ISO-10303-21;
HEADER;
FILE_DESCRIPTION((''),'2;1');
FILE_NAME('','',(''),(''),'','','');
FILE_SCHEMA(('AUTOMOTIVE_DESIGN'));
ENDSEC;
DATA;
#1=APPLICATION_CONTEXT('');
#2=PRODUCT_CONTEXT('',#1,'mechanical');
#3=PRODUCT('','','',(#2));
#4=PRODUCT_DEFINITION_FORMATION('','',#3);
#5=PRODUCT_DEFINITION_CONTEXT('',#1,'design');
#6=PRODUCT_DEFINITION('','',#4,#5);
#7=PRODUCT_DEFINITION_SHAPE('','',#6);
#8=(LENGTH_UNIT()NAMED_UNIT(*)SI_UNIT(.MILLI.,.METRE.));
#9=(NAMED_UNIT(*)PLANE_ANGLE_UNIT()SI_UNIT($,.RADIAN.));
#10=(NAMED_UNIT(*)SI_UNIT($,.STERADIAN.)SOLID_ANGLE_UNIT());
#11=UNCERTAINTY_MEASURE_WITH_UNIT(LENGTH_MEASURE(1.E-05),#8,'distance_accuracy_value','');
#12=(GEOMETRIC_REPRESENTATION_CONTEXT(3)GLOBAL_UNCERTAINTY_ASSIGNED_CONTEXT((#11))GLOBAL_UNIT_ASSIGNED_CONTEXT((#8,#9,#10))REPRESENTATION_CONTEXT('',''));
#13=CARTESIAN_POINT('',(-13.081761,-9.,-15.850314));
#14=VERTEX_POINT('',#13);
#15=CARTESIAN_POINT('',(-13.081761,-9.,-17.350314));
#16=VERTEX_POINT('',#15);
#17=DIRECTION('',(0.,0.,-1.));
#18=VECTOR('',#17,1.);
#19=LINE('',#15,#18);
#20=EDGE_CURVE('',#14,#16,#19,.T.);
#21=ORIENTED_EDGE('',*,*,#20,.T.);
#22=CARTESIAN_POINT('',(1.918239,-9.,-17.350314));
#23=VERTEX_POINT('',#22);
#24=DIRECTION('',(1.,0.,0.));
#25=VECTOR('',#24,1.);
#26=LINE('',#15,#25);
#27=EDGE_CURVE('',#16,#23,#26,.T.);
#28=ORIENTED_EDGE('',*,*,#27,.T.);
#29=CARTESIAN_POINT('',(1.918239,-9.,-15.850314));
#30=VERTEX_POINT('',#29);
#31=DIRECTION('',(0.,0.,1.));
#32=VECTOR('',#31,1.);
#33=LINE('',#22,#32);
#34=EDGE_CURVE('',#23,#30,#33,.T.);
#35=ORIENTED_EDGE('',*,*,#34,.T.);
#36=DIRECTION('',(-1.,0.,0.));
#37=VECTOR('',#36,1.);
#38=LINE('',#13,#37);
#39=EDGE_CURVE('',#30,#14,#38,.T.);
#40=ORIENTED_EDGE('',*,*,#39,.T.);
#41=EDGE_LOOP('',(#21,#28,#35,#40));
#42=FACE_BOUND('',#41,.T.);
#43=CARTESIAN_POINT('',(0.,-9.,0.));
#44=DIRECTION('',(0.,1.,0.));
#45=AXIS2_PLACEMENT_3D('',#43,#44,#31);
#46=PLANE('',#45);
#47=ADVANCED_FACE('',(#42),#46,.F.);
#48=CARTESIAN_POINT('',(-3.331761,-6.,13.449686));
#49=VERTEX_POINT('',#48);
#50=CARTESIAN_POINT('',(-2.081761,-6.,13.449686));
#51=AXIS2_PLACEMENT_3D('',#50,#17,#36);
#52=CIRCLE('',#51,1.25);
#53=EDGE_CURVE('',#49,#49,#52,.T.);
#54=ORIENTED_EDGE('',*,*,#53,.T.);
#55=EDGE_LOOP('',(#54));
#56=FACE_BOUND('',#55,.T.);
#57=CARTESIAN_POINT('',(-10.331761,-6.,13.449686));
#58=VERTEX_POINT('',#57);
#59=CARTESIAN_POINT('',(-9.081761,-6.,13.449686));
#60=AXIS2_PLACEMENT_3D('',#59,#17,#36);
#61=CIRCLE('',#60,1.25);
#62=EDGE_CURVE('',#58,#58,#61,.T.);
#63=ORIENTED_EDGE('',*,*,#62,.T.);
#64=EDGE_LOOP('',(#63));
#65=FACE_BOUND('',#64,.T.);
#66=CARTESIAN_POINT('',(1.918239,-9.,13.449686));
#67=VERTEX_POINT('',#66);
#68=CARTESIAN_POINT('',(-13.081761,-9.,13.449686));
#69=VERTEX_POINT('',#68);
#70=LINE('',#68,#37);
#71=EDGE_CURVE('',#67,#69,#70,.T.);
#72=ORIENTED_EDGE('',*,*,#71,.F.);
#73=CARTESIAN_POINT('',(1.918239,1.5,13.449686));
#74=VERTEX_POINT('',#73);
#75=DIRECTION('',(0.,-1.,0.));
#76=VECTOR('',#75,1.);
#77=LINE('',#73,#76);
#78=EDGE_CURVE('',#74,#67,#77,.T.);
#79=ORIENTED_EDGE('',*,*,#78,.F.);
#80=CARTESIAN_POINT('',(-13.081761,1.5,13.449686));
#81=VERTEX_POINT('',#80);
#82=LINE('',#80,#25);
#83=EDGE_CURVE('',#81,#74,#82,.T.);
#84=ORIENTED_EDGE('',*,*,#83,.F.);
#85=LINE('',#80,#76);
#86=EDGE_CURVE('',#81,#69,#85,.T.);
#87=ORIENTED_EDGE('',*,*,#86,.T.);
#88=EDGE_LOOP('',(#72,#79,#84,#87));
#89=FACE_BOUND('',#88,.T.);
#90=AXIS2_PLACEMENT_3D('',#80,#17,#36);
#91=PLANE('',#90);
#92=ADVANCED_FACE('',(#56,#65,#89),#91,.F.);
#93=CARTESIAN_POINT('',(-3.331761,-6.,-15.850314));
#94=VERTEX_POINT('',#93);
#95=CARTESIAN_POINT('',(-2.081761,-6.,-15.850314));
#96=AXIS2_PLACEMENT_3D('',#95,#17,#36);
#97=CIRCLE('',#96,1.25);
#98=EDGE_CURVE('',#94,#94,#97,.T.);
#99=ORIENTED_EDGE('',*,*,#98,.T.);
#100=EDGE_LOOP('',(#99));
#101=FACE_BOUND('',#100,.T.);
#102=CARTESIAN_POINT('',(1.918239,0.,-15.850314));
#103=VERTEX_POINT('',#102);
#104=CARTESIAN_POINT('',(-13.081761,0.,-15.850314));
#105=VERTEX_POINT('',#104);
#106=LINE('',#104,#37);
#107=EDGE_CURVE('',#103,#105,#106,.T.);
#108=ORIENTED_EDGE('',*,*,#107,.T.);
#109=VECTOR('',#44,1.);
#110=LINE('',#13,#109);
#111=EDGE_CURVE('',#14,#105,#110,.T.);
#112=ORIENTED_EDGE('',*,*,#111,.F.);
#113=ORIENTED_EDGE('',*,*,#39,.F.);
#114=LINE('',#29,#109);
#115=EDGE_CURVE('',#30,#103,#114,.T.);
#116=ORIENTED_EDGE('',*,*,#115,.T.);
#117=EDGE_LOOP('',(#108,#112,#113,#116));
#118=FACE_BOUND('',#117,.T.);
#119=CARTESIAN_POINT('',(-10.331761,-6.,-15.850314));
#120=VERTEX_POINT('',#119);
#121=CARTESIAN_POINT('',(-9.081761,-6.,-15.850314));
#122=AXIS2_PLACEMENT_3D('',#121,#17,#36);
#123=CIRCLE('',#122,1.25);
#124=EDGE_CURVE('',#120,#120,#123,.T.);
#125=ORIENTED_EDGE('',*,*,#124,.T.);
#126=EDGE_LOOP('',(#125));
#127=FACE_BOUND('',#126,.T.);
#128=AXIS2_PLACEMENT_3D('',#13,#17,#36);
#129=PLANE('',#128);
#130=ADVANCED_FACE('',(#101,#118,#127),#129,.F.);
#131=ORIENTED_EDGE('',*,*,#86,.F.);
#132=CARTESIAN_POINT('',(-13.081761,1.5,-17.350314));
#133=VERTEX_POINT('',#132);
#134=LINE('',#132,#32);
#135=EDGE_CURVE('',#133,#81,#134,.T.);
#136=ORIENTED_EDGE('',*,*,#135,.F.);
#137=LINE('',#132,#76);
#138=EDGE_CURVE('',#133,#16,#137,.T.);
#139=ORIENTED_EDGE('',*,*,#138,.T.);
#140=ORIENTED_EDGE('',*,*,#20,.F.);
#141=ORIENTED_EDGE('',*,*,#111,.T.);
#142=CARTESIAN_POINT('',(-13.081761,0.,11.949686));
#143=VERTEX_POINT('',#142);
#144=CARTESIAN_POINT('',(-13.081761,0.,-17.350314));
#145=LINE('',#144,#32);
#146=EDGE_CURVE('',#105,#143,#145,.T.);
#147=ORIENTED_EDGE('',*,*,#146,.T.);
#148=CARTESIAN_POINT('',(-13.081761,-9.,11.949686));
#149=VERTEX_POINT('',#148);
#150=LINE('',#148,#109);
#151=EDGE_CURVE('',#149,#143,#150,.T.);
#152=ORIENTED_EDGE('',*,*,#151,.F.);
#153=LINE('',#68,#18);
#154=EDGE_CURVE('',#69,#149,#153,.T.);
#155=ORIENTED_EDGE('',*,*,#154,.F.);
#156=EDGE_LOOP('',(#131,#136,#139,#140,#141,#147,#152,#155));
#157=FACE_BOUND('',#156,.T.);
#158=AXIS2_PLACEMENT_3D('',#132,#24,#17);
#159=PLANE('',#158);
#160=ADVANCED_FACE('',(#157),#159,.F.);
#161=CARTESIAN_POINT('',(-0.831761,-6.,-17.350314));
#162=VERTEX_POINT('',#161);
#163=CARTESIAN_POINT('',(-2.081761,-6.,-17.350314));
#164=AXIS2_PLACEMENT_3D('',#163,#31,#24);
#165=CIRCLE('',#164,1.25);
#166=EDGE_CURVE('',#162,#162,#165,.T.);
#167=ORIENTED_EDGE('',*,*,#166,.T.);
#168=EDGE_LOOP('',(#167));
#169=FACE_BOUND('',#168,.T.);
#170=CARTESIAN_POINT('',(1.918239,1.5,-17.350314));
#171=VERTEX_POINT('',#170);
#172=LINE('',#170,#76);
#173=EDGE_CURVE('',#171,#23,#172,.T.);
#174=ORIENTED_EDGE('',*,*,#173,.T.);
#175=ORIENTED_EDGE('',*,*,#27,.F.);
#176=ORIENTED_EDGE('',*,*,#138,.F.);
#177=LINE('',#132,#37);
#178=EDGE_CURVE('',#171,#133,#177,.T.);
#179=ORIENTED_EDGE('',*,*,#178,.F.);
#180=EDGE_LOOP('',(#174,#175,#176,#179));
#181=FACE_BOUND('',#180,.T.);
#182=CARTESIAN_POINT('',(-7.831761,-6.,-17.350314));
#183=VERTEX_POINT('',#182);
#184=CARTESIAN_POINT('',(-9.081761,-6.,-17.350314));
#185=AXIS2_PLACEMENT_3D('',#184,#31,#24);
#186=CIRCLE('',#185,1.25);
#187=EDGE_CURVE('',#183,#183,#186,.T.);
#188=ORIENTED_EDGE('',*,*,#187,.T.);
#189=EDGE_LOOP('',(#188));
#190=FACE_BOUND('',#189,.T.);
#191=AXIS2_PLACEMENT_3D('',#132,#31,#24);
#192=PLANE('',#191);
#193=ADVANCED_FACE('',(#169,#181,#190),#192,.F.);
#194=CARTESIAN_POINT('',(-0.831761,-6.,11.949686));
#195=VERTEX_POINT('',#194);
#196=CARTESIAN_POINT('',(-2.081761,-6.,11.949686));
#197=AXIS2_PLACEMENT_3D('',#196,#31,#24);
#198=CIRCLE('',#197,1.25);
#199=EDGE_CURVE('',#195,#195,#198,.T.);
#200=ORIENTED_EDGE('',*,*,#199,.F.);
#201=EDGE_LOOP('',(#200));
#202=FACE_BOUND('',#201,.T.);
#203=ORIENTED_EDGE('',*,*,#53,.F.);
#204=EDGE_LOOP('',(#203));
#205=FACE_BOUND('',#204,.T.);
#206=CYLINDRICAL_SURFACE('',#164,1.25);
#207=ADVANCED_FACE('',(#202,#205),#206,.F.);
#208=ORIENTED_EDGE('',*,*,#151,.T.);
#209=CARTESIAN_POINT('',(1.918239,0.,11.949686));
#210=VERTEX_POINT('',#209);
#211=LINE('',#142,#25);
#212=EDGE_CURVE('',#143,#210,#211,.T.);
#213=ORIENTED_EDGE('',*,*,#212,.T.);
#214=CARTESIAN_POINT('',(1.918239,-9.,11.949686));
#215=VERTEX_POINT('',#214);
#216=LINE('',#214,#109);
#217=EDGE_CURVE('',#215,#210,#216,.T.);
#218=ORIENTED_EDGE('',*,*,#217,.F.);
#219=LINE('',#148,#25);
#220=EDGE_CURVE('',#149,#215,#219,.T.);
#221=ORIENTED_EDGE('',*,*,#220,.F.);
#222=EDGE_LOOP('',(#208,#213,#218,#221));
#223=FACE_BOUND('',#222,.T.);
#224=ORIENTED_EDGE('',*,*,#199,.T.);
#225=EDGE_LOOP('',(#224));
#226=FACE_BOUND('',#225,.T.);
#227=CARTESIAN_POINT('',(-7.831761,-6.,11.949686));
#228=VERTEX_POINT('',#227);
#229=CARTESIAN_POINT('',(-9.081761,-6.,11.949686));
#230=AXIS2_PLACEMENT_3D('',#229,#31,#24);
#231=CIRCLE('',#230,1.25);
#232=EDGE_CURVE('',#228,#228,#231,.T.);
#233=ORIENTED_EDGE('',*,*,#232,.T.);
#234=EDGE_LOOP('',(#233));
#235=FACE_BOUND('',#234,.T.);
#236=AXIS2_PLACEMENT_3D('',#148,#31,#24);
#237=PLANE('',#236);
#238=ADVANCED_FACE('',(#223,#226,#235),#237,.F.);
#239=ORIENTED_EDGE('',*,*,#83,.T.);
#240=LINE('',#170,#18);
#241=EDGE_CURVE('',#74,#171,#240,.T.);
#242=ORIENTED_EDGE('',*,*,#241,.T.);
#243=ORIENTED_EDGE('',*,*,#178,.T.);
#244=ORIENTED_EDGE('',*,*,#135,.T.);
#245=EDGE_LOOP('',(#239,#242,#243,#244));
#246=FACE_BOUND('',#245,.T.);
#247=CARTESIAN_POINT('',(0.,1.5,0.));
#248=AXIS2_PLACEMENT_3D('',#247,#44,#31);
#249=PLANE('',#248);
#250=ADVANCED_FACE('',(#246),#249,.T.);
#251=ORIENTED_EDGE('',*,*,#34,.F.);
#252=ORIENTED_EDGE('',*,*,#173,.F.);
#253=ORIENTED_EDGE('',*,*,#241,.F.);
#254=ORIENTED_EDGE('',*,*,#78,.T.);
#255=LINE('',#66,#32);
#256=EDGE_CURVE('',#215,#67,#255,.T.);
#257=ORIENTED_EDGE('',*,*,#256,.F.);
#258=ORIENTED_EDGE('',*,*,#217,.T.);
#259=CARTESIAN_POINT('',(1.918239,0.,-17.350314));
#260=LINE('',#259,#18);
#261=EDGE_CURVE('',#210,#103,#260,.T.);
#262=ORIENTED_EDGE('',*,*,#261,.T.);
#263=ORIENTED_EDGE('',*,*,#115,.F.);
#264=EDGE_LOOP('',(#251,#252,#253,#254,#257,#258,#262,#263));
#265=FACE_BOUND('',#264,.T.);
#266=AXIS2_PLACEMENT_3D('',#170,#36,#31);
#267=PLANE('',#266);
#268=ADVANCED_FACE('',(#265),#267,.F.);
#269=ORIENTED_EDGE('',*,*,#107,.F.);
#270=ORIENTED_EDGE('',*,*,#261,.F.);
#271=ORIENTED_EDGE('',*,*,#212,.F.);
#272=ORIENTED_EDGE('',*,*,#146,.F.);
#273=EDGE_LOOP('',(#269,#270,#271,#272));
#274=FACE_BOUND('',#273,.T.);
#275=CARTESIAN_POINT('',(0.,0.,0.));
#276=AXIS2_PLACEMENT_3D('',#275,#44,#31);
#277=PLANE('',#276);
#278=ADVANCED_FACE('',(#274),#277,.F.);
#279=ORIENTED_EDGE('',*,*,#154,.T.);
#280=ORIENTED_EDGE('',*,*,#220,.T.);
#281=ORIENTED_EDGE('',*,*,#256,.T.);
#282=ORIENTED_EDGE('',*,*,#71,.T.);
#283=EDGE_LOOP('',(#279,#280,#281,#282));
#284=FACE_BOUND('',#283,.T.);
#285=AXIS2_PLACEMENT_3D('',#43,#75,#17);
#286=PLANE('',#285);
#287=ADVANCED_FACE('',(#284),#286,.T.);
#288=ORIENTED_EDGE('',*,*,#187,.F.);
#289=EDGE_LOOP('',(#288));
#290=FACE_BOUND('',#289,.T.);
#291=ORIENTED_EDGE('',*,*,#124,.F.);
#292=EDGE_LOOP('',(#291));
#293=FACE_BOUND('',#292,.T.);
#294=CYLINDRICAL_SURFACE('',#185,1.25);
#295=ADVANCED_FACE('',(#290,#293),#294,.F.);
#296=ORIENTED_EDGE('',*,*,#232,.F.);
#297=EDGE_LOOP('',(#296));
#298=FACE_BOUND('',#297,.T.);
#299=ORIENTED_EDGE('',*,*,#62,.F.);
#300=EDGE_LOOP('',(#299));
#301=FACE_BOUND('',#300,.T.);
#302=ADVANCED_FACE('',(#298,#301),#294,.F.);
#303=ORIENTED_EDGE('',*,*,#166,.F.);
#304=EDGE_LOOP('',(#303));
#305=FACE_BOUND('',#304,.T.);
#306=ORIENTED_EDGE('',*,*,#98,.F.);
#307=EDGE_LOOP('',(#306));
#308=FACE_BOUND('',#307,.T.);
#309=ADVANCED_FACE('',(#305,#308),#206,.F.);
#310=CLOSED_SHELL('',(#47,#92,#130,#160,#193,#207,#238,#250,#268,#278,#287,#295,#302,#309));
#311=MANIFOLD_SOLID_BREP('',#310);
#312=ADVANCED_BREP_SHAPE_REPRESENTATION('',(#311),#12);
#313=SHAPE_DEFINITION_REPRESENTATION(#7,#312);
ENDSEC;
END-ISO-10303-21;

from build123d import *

# Parameters (mm, degrees)
SKETCH_1_W               = 15
SKETCH_1_H               = 30.8
EXTRUDE_1_DEPTH          = 1.5
SKETCH_2_W               = 15
SKETCH_2_H               = 1.5
EXTRUDE_2_DEPTH          = 9
SKETCH_3_R               = 1.25
CUT_EXTRUDE_1_DEPTH      = 1
CUT_EXTRUDE_1_DEPTH_BACK = 31.8


with BuildPart() as part:
    # 草图1 → 凸台-拉伸1 (new body)
    with BuildSketch(Plane(origin=(0, 0, 0), x_dir=(1, 0, 0), z_dir=(0, 1, 0))):
        with Locations((-5.581761006, 1.950314465)):
            Rectangle(SKETCH_1_W, SKETCH_1_H)
    extrude(amount=EXTRUDE_1_DEPTH)

    # 草图2 → 凸台-拉伸2 (add)
    with BuildSketch(Plane.XZ):
        with Locations((-5.581761006, 12.699685535)):
            Rectangle(SKETCH_2_W, SKETCH_2_H)
        with Locations((-5.581761006, -16.600314465)):
            Rectangle(SKETCH_2_W, SKETCH_2_H)
    extrude(amount=EXTRUDE_2_DEPTH)

    # 草图3 → 切除-拉伸1 (cut, two sides)
    with BuildSketch(Plane.XY.offset(13.449685535)) as cut_extrude_1_sk:
        with Locations((-9.081761006, -6)):
            Circle(SKETCH_3_R)
        with Locations((-2.081761006, -6)):
            Circle(SKETCH_3_R)
    extrude(amount=CUT_EXTRUDE_1_DEPTH, mode=Mode.SUBTRACT)
    extrude(cut_extrude_1_sk.sketch, amount=-CUT_EXTRUDE_1_DEPTH_BACK, mode=Mode.SUBTRACT)


solid = part.part
